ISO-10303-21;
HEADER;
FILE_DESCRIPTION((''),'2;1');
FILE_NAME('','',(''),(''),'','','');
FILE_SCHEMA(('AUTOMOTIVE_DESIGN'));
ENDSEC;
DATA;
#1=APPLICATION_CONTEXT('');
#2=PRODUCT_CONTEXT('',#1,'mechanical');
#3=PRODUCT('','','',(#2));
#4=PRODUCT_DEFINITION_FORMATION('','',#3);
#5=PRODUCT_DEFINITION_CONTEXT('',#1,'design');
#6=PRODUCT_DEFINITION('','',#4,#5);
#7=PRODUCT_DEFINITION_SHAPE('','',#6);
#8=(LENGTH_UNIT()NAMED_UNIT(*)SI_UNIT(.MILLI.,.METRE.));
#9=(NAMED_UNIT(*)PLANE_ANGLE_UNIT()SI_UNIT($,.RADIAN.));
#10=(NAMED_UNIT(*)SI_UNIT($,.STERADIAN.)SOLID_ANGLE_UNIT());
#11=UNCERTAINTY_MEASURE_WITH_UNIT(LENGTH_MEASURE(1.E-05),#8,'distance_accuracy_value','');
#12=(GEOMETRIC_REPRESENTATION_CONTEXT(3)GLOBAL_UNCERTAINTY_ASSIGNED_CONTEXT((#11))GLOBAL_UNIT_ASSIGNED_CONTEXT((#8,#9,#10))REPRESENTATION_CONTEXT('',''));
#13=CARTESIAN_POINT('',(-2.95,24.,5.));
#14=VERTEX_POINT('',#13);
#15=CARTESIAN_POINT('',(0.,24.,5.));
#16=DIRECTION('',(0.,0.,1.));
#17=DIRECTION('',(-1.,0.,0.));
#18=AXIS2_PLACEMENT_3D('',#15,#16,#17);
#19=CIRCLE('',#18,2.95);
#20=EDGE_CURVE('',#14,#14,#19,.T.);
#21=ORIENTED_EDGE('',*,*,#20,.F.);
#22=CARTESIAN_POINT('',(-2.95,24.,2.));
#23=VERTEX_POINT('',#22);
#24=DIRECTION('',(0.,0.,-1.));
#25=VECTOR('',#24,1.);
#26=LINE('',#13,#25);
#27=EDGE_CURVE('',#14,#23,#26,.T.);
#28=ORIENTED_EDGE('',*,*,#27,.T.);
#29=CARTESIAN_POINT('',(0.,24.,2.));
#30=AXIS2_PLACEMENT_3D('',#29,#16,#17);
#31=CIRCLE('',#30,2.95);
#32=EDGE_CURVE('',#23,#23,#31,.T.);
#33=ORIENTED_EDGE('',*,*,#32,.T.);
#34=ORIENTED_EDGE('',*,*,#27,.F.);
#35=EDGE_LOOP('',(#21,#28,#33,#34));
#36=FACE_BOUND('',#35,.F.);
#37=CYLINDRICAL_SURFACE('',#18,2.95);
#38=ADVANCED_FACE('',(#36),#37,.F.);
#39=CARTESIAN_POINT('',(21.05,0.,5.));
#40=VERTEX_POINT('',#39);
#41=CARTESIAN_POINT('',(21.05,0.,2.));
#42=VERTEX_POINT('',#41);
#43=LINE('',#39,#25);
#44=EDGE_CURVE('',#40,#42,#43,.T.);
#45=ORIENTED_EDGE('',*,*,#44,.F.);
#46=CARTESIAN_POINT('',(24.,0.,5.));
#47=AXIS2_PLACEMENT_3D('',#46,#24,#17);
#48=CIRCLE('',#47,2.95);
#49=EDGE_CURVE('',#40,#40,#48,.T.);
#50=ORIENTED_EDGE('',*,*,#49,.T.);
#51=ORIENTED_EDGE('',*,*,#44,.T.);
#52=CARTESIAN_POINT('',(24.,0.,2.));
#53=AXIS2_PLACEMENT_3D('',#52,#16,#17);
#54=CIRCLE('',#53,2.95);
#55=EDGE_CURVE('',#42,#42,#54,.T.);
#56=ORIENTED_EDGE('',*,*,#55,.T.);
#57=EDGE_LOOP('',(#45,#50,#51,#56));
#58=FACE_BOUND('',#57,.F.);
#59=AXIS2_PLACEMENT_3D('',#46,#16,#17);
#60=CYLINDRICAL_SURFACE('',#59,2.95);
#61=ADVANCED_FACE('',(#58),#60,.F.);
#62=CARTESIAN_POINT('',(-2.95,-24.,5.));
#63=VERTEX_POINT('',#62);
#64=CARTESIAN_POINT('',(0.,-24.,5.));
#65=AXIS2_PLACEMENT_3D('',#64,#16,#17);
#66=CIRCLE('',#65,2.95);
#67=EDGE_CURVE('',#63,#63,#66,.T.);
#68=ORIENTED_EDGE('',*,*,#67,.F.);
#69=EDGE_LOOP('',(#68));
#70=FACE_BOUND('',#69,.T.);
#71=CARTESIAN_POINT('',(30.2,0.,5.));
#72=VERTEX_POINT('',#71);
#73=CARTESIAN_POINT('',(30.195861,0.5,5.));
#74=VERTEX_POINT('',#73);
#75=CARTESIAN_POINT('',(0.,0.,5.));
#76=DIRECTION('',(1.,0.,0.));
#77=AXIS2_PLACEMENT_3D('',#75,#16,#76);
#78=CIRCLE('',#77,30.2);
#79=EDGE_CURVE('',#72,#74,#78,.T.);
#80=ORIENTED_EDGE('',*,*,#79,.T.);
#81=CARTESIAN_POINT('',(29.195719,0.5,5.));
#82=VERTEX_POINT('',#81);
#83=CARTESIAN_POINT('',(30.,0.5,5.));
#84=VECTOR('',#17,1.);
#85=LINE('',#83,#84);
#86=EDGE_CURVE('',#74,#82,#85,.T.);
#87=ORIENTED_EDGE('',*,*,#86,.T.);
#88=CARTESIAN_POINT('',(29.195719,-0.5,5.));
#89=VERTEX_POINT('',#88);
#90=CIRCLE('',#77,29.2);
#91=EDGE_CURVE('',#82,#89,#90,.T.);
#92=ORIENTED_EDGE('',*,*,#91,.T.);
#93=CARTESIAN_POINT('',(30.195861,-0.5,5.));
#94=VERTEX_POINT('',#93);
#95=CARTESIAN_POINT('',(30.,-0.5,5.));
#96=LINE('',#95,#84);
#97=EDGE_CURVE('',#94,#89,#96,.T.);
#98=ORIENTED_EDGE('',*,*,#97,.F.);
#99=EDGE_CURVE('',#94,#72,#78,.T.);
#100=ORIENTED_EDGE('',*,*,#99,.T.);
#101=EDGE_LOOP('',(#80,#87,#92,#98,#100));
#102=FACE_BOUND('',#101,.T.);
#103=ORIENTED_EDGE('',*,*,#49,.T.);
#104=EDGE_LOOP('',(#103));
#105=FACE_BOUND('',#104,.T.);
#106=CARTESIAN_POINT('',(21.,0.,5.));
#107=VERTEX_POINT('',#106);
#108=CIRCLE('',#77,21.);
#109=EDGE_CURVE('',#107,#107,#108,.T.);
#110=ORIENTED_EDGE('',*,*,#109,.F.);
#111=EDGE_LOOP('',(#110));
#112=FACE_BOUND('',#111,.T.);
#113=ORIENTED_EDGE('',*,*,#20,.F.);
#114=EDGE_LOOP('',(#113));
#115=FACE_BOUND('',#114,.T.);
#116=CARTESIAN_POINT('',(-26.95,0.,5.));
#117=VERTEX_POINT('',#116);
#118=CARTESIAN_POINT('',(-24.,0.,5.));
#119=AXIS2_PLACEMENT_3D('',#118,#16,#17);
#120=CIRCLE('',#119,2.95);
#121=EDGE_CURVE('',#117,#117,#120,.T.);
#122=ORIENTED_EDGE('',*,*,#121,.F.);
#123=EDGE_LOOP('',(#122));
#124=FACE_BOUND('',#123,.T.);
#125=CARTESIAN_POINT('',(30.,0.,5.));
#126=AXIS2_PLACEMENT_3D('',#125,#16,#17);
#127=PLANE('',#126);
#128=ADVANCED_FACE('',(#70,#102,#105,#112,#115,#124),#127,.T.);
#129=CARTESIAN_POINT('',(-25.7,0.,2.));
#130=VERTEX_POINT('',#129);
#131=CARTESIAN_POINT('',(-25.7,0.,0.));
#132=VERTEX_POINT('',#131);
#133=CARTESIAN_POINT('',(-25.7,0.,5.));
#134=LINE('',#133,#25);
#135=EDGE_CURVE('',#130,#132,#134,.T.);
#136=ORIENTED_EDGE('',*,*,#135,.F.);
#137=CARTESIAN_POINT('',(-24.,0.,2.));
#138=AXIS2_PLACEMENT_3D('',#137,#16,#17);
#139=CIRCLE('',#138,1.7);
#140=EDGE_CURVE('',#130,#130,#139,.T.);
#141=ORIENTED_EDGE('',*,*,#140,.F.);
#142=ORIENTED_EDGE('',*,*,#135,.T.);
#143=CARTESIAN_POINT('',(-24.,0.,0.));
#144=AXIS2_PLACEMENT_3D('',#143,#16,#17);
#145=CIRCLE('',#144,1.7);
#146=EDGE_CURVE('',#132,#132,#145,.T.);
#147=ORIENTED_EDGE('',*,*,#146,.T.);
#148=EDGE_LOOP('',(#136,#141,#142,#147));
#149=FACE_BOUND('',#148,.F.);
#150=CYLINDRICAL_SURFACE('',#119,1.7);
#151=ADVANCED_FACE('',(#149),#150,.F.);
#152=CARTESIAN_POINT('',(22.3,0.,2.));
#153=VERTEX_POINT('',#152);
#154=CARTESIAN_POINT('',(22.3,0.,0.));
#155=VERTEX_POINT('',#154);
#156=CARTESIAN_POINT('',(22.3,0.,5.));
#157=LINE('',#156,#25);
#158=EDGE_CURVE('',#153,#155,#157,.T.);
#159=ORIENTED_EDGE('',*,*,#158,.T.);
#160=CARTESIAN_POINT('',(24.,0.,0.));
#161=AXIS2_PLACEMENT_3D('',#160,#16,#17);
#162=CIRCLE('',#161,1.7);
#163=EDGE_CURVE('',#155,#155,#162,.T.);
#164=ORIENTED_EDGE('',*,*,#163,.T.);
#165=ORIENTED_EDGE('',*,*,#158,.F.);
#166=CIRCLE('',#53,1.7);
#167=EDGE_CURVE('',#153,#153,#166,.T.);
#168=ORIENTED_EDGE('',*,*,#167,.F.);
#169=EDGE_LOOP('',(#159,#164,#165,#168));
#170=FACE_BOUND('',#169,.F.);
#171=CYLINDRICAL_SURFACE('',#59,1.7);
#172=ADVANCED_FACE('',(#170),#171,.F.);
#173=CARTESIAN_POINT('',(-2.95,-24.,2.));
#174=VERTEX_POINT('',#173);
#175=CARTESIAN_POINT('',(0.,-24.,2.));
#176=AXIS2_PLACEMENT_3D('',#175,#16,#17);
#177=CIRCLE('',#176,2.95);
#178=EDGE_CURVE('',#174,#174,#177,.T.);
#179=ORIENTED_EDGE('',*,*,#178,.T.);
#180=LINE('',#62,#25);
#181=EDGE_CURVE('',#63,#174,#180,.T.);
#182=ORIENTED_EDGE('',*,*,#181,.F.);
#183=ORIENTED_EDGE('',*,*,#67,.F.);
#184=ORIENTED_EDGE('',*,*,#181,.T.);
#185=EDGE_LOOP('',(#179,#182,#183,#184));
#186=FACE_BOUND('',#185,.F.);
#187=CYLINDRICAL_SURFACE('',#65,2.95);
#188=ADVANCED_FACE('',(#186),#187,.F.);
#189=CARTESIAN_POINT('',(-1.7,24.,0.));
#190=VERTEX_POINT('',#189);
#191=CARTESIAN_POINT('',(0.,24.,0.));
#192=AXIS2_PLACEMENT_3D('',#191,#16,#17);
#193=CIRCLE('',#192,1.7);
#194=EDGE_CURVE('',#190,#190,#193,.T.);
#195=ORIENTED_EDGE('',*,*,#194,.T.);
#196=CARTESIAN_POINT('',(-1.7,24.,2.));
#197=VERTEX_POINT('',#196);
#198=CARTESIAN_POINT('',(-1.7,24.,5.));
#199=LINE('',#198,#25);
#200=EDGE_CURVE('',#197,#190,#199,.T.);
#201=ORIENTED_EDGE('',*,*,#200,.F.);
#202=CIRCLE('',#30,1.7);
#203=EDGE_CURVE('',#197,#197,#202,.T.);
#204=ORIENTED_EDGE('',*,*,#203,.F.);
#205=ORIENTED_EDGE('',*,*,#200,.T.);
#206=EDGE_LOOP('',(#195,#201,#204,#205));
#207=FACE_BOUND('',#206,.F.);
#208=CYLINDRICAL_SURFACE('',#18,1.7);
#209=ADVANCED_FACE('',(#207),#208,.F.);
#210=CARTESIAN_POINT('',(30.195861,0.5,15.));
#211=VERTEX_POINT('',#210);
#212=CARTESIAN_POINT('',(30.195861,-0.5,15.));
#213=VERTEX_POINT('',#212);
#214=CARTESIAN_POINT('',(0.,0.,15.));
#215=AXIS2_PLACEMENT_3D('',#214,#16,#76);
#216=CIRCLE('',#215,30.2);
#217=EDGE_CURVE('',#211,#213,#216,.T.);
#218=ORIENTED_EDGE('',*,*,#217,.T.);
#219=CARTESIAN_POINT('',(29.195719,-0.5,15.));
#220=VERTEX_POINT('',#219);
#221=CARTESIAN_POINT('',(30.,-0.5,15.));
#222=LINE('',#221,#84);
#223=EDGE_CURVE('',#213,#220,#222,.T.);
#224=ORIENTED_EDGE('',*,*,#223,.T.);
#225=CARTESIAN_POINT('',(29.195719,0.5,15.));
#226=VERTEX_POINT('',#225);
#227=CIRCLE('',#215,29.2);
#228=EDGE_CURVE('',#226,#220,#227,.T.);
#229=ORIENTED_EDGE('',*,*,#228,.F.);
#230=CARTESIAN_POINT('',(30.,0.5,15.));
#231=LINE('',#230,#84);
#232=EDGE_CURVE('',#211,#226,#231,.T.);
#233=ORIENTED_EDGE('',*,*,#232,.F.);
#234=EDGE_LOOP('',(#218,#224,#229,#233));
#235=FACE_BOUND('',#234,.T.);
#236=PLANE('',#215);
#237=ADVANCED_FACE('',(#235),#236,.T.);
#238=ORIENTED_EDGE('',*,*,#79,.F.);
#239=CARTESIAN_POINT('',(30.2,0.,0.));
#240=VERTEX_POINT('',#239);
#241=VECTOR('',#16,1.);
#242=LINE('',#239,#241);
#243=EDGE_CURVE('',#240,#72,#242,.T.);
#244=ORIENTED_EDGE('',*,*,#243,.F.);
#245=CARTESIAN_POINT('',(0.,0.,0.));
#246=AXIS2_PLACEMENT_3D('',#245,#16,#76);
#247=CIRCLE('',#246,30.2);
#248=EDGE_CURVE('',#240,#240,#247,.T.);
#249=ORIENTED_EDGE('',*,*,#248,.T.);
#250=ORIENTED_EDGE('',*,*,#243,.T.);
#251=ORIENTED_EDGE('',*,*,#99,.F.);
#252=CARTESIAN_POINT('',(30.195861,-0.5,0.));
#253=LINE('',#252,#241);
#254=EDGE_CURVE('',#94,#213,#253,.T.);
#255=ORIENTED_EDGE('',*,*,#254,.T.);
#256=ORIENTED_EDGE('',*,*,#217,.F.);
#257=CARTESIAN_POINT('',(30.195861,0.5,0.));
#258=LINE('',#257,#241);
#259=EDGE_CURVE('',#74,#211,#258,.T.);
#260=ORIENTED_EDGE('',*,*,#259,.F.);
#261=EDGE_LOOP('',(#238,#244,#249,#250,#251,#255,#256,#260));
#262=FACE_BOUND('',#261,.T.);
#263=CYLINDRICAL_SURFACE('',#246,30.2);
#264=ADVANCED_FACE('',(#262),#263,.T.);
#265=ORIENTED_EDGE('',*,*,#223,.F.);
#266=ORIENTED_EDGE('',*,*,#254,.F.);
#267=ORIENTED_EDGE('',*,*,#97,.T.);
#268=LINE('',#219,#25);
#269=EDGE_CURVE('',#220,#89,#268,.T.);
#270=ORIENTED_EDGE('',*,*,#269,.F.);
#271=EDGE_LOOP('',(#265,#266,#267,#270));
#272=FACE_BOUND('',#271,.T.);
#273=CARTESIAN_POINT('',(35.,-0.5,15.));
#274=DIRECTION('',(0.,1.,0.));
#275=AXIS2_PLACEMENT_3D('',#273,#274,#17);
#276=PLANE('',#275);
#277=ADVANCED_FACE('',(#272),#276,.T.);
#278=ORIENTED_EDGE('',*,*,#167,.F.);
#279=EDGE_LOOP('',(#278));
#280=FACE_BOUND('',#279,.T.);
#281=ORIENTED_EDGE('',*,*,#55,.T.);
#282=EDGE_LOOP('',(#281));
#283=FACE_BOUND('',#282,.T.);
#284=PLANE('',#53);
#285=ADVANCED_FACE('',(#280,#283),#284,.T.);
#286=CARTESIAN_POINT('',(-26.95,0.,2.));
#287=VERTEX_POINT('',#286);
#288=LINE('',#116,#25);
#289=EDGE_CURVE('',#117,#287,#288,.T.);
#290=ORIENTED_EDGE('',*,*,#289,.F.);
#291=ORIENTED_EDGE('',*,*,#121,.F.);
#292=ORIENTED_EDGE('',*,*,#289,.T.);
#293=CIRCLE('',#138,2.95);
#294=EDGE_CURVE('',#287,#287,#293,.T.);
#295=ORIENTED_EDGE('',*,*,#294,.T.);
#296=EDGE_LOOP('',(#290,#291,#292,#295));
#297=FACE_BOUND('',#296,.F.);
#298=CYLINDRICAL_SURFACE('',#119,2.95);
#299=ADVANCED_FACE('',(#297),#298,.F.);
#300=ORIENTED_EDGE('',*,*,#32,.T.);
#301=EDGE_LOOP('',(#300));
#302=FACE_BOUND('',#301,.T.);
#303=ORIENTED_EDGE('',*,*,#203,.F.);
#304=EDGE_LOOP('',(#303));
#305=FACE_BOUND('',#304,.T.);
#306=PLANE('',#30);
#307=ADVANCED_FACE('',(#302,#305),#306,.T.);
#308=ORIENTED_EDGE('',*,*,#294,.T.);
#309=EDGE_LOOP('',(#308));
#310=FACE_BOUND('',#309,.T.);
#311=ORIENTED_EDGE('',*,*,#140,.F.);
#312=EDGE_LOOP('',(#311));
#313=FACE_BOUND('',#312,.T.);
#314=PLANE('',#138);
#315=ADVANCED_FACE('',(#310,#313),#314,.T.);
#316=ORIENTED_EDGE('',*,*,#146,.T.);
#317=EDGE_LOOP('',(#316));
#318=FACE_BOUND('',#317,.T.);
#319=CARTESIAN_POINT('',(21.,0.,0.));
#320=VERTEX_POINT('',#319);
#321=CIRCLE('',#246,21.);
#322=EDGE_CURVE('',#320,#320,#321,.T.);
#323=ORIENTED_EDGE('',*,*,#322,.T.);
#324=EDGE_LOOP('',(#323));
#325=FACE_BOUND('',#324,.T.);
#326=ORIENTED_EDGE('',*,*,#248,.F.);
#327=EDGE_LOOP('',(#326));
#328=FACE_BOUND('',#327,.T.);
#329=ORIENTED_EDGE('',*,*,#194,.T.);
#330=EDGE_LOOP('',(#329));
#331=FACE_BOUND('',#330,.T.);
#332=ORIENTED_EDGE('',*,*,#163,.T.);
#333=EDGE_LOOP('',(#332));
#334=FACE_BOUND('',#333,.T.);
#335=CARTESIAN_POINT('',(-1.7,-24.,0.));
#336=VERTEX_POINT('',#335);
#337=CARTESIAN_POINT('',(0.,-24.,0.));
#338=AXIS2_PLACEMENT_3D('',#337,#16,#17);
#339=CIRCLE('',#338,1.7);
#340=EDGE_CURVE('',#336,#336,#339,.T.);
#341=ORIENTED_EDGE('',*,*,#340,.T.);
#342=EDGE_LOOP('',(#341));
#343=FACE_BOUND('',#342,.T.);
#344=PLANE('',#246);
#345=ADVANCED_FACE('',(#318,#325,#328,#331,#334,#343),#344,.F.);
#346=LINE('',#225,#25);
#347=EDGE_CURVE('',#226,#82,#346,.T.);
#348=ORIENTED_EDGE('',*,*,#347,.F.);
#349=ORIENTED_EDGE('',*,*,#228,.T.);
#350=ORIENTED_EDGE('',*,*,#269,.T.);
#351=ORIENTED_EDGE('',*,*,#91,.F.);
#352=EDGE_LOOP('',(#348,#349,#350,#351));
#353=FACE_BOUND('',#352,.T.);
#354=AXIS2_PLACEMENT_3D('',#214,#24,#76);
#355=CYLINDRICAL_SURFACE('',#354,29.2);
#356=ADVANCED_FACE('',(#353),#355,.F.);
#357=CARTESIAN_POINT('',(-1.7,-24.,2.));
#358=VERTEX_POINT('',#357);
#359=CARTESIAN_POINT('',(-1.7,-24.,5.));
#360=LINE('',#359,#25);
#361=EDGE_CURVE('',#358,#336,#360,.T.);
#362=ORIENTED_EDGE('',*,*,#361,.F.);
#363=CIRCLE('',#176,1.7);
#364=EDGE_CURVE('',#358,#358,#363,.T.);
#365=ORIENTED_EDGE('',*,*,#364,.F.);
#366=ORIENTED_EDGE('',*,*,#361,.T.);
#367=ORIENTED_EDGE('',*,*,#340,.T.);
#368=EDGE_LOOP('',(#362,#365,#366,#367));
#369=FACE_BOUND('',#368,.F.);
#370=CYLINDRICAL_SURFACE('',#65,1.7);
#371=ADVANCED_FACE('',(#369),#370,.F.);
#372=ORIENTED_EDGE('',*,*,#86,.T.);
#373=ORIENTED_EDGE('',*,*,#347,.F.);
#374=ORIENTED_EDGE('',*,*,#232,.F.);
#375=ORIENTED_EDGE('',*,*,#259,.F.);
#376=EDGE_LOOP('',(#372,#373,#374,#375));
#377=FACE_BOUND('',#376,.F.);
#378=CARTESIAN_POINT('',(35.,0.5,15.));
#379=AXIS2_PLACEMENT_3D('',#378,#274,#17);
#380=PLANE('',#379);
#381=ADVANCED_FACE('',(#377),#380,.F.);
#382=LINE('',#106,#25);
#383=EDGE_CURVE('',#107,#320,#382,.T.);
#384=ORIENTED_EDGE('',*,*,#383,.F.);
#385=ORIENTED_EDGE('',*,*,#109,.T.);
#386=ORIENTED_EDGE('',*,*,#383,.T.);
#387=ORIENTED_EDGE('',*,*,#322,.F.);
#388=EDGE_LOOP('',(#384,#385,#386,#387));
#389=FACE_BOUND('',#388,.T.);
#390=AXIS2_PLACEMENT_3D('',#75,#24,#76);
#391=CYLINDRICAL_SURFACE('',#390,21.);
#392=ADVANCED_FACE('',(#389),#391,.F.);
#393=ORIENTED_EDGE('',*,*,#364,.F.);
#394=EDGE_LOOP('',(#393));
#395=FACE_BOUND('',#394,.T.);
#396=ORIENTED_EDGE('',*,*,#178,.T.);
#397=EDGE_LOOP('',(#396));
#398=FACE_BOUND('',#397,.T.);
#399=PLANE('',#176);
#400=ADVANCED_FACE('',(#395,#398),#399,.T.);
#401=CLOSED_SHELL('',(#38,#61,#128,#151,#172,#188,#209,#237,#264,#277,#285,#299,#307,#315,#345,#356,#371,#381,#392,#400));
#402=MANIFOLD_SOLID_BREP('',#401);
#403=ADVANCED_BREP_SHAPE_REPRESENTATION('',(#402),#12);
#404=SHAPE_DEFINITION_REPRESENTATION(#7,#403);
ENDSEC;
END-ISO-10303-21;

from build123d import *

# Parameters (mm, degrees)
SKETCH001_R     = 1.7
POCKET_DEPTH    = 5.001
SKETCH002_R     = 2.95
POCKET001_DEPTH = 3
SKETCH003_W     = 10
SKETCH003_H     = 1
POCKET002_DEPTH = 10


with BuildPart() as part:
    # Sketch → Revolution (revolve)
    with BuildSketch(Plane.XZ):
        Polygon((30.2, 0), (30.2, 15), (29.2, 15), (29.2, 5), (21, 5), (21, 0), align=None)
    revolve(axis=Axis((0, 0, 0), (0, 0, 1)))

    # Sketch001 (on Face4 of Revolution) → Pocket (cut, through all)
    with BuildSketch(Plane(origin=(0, 0, 5), x_dir=(-1, 0, 0), z_dir=(0, 0, 1))):
        with Locations((24, 0)):
            Circle(SKETCH001_R)
        with Locations((0, 24)):
            Circle(SKETCH001_R)
        with Locations((-24, 0)):
            Circle(SKETCH001_R)
        with Locations((0, -24)):
            Circle(SKETCH001_R)
    extrude(amount=-POCKET_DEPTH, mode=Mode.SUBTRACT)

    # Sketch002 (on Face10 of Pocket) → Pocket001 (cut)
    with BuildSketch(Plane(origin=(0, 0, 5), x_dir=(-1, 0, 0), z_dir=(0, 0, 1))):
        with Locations((0, 24)):
            Circle(SKETCH002_R)
        with Locations((-24, 0)):
            Circle(SKETCH002_R)
        with Locations((0, -24)):
            Circle(SKETCH002_R)
        with Locations((24, 0)):
            Circle(SKETCH002_R)
    extrude(amount=-POCKET001_DEPTH, mode=Mode.SUBTRACT)

    # Sketch003 (on Face3 of Pocket001) → Pocket002 (cut)
    with BuildSketch(Plane(origin=(0, 0, 15), x_dir=(-1, 0, 0), z_dir=(0, 0, 1))):
        with Locations((-30, 0)):
            Rectangle(SKETCH003_W, SKETCH003_H)
    extrude(amount=-POCKET002_DEPTH, mode=Mode.SUBTRACT)


solid = part.part
